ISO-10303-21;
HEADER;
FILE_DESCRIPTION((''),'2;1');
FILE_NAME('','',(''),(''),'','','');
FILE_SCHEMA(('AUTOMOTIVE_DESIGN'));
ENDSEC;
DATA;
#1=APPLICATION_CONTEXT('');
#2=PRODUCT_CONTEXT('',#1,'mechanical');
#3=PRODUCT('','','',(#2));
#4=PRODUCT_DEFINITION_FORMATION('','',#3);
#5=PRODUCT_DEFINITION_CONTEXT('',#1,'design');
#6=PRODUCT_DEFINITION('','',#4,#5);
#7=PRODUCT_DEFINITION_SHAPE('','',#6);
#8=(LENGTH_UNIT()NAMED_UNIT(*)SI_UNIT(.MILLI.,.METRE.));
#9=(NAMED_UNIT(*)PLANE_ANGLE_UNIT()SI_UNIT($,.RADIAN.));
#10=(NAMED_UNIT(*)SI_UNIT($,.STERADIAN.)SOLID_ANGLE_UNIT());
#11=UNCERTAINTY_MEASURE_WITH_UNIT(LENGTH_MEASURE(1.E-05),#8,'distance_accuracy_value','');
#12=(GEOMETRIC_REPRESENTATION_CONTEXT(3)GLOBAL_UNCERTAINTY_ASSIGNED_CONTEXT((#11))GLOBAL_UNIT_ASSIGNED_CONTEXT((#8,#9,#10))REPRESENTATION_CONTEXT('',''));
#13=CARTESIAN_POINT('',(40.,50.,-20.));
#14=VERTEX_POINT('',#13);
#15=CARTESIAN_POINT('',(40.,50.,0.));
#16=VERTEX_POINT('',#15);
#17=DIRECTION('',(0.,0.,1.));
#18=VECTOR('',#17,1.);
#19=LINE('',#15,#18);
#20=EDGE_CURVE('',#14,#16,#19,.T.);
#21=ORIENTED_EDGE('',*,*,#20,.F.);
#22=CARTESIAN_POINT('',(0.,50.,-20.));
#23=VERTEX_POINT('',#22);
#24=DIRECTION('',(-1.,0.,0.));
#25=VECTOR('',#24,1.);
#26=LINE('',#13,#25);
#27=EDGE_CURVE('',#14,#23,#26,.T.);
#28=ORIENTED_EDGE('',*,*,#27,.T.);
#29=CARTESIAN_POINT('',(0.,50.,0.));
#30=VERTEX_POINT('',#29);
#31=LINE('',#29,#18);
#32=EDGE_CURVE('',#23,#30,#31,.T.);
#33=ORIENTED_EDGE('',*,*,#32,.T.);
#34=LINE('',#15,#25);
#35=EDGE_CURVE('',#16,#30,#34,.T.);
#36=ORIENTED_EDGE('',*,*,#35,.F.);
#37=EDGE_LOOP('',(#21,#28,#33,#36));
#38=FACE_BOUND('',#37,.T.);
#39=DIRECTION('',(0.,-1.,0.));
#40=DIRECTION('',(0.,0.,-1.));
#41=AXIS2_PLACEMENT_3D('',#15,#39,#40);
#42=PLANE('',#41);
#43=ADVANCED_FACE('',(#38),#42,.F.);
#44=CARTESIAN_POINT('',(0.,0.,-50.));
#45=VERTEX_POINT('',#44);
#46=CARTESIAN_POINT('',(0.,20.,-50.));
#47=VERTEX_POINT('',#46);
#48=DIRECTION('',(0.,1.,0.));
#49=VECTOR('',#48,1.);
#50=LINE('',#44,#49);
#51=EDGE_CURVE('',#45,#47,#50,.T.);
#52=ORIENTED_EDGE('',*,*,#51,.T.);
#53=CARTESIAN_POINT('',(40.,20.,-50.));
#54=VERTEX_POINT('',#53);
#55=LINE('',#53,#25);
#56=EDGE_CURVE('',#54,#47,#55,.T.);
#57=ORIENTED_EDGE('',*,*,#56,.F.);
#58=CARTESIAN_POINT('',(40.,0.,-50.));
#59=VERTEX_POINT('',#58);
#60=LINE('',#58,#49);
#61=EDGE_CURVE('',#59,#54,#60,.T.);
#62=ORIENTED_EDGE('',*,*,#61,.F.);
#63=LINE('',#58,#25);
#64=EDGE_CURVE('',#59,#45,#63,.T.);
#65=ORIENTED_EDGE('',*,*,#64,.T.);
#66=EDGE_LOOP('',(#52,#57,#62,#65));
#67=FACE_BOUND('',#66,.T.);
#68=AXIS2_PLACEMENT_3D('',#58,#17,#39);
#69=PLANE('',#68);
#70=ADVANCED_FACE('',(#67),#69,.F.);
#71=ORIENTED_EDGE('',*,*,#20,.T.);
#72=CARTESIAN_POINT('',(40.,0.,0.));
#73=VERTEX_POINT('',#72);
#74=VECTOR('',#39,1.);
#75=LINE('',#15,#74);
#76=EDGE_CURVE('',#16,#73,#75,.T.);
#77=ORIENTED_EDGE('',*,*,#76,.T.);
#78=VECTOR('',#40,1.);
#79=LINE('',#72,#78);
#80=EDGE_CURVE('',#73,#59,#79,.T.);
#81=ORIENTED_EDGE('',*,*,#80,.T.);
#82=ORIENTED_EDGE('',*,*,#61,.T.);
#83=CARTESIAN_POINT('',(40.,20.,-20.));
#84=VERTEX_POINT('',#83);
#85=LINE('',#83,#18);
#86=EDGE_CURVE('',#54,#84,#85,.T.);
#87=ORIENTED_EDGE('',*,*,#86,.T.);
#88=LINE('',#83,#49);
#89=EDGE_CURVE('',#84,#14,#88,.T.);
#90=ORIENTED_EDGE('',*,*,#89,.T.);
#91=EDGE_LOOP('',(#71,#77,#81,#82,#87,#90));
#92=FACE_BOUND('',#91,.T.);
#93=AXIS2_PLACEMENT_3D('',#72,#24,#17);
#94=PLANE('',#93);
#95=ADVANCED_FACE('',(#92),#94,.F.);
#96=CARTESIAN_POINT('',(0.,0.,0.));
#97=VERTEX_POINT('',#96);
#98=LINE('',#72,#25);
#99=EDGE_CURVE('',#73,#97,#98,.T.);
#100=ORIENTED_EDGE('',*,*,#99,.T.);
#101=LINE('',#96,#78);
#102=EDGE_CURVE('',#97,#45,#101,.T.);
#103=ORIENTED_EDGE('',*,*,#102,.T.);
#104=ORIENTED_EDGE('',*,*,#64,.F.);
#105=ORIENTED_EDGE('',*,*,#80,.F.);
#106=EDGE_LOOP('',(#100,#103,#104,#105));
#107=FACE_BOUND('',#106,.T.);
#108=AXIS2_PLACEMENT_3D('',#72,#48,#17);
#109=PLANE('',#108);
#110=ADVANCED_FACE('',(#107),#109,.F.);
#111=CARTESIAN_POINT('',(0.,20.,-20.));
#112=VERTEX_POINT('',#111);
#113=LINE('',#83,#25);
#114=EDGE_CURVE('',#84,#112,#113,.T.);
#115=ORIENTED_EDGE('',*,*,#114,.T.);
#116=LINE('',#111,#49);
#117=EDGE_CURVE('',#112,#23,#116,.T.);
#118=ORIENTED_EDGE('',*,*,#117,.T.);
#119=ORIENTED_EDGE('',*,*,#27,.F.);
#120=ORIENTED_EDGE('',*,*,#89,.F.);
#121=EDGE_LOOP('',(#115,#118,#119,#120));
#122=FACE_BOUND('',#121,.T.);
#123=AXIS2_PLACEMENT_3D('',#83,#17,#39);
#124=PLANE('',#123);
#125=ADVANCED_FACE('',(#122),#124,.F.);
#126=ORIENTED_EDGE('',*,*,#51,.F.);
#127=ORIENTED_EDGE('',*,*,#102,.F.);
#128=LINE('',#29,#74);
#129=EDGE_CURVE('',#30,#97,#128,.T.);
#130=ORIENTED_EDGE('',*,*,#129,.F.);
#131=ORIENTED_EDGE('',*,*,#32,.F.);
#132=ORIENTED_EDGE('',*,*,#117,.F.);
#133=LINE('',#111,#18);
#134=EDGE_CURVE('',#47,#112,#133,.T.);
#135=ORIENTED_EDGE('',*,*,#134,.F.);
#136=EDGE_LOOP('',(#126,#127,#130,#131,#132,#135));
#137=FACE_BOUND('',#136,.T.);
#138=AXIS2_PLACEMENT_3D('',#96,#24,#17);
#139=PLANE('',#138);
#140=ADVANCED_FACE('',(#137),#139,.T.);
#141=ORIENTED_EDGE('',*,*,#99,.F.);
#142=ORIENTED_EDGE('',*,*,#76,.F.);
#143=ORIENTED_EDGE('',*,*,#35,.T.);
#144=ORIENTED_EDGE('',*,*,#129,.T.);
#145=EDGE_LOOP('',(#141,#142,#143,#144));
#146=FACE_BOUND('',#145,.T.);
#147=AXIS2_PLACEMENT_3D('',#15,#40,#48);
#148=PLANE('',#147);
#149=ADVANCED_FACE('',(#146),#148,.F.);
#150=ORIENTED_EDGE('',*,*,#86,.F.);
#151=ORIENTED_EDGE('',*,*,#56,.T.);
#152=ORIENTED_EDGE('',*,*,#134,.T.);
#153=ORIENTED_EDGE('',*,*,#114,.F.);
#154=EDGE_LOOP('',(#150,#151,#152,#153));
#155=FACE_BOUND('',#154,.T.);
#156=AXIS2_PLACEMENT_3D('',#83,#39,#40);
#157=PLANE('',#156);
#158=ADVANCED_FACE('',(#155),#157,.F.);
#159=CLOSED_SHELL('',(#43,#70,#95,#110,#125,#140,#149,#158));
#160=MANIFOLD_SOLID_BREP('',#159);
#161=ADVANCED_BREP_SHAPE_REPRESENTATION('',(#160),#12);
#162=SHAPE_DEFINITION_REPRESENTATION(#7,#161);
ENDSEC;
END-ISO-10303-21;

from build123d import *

# Parameters (mm, degrees)
BOSS_EXTRUDE1_DEPTH = 40


with BuildPart() as part:
    # Sketch2 → Boss-Extrude1 (new body)
    with BuildSketch(Plane(origin=(0, 0, 0), x_dir=(0, 0, -1), z_dir=(1, 0, 0))):
        Polygon((0, 50), (0, 0), (50, 0), (50, 20), (20, 20), (20, 50), align=None)
    extrude(amount=BOSS_EXTRUDE1_DEPTH)


solid = part.part
